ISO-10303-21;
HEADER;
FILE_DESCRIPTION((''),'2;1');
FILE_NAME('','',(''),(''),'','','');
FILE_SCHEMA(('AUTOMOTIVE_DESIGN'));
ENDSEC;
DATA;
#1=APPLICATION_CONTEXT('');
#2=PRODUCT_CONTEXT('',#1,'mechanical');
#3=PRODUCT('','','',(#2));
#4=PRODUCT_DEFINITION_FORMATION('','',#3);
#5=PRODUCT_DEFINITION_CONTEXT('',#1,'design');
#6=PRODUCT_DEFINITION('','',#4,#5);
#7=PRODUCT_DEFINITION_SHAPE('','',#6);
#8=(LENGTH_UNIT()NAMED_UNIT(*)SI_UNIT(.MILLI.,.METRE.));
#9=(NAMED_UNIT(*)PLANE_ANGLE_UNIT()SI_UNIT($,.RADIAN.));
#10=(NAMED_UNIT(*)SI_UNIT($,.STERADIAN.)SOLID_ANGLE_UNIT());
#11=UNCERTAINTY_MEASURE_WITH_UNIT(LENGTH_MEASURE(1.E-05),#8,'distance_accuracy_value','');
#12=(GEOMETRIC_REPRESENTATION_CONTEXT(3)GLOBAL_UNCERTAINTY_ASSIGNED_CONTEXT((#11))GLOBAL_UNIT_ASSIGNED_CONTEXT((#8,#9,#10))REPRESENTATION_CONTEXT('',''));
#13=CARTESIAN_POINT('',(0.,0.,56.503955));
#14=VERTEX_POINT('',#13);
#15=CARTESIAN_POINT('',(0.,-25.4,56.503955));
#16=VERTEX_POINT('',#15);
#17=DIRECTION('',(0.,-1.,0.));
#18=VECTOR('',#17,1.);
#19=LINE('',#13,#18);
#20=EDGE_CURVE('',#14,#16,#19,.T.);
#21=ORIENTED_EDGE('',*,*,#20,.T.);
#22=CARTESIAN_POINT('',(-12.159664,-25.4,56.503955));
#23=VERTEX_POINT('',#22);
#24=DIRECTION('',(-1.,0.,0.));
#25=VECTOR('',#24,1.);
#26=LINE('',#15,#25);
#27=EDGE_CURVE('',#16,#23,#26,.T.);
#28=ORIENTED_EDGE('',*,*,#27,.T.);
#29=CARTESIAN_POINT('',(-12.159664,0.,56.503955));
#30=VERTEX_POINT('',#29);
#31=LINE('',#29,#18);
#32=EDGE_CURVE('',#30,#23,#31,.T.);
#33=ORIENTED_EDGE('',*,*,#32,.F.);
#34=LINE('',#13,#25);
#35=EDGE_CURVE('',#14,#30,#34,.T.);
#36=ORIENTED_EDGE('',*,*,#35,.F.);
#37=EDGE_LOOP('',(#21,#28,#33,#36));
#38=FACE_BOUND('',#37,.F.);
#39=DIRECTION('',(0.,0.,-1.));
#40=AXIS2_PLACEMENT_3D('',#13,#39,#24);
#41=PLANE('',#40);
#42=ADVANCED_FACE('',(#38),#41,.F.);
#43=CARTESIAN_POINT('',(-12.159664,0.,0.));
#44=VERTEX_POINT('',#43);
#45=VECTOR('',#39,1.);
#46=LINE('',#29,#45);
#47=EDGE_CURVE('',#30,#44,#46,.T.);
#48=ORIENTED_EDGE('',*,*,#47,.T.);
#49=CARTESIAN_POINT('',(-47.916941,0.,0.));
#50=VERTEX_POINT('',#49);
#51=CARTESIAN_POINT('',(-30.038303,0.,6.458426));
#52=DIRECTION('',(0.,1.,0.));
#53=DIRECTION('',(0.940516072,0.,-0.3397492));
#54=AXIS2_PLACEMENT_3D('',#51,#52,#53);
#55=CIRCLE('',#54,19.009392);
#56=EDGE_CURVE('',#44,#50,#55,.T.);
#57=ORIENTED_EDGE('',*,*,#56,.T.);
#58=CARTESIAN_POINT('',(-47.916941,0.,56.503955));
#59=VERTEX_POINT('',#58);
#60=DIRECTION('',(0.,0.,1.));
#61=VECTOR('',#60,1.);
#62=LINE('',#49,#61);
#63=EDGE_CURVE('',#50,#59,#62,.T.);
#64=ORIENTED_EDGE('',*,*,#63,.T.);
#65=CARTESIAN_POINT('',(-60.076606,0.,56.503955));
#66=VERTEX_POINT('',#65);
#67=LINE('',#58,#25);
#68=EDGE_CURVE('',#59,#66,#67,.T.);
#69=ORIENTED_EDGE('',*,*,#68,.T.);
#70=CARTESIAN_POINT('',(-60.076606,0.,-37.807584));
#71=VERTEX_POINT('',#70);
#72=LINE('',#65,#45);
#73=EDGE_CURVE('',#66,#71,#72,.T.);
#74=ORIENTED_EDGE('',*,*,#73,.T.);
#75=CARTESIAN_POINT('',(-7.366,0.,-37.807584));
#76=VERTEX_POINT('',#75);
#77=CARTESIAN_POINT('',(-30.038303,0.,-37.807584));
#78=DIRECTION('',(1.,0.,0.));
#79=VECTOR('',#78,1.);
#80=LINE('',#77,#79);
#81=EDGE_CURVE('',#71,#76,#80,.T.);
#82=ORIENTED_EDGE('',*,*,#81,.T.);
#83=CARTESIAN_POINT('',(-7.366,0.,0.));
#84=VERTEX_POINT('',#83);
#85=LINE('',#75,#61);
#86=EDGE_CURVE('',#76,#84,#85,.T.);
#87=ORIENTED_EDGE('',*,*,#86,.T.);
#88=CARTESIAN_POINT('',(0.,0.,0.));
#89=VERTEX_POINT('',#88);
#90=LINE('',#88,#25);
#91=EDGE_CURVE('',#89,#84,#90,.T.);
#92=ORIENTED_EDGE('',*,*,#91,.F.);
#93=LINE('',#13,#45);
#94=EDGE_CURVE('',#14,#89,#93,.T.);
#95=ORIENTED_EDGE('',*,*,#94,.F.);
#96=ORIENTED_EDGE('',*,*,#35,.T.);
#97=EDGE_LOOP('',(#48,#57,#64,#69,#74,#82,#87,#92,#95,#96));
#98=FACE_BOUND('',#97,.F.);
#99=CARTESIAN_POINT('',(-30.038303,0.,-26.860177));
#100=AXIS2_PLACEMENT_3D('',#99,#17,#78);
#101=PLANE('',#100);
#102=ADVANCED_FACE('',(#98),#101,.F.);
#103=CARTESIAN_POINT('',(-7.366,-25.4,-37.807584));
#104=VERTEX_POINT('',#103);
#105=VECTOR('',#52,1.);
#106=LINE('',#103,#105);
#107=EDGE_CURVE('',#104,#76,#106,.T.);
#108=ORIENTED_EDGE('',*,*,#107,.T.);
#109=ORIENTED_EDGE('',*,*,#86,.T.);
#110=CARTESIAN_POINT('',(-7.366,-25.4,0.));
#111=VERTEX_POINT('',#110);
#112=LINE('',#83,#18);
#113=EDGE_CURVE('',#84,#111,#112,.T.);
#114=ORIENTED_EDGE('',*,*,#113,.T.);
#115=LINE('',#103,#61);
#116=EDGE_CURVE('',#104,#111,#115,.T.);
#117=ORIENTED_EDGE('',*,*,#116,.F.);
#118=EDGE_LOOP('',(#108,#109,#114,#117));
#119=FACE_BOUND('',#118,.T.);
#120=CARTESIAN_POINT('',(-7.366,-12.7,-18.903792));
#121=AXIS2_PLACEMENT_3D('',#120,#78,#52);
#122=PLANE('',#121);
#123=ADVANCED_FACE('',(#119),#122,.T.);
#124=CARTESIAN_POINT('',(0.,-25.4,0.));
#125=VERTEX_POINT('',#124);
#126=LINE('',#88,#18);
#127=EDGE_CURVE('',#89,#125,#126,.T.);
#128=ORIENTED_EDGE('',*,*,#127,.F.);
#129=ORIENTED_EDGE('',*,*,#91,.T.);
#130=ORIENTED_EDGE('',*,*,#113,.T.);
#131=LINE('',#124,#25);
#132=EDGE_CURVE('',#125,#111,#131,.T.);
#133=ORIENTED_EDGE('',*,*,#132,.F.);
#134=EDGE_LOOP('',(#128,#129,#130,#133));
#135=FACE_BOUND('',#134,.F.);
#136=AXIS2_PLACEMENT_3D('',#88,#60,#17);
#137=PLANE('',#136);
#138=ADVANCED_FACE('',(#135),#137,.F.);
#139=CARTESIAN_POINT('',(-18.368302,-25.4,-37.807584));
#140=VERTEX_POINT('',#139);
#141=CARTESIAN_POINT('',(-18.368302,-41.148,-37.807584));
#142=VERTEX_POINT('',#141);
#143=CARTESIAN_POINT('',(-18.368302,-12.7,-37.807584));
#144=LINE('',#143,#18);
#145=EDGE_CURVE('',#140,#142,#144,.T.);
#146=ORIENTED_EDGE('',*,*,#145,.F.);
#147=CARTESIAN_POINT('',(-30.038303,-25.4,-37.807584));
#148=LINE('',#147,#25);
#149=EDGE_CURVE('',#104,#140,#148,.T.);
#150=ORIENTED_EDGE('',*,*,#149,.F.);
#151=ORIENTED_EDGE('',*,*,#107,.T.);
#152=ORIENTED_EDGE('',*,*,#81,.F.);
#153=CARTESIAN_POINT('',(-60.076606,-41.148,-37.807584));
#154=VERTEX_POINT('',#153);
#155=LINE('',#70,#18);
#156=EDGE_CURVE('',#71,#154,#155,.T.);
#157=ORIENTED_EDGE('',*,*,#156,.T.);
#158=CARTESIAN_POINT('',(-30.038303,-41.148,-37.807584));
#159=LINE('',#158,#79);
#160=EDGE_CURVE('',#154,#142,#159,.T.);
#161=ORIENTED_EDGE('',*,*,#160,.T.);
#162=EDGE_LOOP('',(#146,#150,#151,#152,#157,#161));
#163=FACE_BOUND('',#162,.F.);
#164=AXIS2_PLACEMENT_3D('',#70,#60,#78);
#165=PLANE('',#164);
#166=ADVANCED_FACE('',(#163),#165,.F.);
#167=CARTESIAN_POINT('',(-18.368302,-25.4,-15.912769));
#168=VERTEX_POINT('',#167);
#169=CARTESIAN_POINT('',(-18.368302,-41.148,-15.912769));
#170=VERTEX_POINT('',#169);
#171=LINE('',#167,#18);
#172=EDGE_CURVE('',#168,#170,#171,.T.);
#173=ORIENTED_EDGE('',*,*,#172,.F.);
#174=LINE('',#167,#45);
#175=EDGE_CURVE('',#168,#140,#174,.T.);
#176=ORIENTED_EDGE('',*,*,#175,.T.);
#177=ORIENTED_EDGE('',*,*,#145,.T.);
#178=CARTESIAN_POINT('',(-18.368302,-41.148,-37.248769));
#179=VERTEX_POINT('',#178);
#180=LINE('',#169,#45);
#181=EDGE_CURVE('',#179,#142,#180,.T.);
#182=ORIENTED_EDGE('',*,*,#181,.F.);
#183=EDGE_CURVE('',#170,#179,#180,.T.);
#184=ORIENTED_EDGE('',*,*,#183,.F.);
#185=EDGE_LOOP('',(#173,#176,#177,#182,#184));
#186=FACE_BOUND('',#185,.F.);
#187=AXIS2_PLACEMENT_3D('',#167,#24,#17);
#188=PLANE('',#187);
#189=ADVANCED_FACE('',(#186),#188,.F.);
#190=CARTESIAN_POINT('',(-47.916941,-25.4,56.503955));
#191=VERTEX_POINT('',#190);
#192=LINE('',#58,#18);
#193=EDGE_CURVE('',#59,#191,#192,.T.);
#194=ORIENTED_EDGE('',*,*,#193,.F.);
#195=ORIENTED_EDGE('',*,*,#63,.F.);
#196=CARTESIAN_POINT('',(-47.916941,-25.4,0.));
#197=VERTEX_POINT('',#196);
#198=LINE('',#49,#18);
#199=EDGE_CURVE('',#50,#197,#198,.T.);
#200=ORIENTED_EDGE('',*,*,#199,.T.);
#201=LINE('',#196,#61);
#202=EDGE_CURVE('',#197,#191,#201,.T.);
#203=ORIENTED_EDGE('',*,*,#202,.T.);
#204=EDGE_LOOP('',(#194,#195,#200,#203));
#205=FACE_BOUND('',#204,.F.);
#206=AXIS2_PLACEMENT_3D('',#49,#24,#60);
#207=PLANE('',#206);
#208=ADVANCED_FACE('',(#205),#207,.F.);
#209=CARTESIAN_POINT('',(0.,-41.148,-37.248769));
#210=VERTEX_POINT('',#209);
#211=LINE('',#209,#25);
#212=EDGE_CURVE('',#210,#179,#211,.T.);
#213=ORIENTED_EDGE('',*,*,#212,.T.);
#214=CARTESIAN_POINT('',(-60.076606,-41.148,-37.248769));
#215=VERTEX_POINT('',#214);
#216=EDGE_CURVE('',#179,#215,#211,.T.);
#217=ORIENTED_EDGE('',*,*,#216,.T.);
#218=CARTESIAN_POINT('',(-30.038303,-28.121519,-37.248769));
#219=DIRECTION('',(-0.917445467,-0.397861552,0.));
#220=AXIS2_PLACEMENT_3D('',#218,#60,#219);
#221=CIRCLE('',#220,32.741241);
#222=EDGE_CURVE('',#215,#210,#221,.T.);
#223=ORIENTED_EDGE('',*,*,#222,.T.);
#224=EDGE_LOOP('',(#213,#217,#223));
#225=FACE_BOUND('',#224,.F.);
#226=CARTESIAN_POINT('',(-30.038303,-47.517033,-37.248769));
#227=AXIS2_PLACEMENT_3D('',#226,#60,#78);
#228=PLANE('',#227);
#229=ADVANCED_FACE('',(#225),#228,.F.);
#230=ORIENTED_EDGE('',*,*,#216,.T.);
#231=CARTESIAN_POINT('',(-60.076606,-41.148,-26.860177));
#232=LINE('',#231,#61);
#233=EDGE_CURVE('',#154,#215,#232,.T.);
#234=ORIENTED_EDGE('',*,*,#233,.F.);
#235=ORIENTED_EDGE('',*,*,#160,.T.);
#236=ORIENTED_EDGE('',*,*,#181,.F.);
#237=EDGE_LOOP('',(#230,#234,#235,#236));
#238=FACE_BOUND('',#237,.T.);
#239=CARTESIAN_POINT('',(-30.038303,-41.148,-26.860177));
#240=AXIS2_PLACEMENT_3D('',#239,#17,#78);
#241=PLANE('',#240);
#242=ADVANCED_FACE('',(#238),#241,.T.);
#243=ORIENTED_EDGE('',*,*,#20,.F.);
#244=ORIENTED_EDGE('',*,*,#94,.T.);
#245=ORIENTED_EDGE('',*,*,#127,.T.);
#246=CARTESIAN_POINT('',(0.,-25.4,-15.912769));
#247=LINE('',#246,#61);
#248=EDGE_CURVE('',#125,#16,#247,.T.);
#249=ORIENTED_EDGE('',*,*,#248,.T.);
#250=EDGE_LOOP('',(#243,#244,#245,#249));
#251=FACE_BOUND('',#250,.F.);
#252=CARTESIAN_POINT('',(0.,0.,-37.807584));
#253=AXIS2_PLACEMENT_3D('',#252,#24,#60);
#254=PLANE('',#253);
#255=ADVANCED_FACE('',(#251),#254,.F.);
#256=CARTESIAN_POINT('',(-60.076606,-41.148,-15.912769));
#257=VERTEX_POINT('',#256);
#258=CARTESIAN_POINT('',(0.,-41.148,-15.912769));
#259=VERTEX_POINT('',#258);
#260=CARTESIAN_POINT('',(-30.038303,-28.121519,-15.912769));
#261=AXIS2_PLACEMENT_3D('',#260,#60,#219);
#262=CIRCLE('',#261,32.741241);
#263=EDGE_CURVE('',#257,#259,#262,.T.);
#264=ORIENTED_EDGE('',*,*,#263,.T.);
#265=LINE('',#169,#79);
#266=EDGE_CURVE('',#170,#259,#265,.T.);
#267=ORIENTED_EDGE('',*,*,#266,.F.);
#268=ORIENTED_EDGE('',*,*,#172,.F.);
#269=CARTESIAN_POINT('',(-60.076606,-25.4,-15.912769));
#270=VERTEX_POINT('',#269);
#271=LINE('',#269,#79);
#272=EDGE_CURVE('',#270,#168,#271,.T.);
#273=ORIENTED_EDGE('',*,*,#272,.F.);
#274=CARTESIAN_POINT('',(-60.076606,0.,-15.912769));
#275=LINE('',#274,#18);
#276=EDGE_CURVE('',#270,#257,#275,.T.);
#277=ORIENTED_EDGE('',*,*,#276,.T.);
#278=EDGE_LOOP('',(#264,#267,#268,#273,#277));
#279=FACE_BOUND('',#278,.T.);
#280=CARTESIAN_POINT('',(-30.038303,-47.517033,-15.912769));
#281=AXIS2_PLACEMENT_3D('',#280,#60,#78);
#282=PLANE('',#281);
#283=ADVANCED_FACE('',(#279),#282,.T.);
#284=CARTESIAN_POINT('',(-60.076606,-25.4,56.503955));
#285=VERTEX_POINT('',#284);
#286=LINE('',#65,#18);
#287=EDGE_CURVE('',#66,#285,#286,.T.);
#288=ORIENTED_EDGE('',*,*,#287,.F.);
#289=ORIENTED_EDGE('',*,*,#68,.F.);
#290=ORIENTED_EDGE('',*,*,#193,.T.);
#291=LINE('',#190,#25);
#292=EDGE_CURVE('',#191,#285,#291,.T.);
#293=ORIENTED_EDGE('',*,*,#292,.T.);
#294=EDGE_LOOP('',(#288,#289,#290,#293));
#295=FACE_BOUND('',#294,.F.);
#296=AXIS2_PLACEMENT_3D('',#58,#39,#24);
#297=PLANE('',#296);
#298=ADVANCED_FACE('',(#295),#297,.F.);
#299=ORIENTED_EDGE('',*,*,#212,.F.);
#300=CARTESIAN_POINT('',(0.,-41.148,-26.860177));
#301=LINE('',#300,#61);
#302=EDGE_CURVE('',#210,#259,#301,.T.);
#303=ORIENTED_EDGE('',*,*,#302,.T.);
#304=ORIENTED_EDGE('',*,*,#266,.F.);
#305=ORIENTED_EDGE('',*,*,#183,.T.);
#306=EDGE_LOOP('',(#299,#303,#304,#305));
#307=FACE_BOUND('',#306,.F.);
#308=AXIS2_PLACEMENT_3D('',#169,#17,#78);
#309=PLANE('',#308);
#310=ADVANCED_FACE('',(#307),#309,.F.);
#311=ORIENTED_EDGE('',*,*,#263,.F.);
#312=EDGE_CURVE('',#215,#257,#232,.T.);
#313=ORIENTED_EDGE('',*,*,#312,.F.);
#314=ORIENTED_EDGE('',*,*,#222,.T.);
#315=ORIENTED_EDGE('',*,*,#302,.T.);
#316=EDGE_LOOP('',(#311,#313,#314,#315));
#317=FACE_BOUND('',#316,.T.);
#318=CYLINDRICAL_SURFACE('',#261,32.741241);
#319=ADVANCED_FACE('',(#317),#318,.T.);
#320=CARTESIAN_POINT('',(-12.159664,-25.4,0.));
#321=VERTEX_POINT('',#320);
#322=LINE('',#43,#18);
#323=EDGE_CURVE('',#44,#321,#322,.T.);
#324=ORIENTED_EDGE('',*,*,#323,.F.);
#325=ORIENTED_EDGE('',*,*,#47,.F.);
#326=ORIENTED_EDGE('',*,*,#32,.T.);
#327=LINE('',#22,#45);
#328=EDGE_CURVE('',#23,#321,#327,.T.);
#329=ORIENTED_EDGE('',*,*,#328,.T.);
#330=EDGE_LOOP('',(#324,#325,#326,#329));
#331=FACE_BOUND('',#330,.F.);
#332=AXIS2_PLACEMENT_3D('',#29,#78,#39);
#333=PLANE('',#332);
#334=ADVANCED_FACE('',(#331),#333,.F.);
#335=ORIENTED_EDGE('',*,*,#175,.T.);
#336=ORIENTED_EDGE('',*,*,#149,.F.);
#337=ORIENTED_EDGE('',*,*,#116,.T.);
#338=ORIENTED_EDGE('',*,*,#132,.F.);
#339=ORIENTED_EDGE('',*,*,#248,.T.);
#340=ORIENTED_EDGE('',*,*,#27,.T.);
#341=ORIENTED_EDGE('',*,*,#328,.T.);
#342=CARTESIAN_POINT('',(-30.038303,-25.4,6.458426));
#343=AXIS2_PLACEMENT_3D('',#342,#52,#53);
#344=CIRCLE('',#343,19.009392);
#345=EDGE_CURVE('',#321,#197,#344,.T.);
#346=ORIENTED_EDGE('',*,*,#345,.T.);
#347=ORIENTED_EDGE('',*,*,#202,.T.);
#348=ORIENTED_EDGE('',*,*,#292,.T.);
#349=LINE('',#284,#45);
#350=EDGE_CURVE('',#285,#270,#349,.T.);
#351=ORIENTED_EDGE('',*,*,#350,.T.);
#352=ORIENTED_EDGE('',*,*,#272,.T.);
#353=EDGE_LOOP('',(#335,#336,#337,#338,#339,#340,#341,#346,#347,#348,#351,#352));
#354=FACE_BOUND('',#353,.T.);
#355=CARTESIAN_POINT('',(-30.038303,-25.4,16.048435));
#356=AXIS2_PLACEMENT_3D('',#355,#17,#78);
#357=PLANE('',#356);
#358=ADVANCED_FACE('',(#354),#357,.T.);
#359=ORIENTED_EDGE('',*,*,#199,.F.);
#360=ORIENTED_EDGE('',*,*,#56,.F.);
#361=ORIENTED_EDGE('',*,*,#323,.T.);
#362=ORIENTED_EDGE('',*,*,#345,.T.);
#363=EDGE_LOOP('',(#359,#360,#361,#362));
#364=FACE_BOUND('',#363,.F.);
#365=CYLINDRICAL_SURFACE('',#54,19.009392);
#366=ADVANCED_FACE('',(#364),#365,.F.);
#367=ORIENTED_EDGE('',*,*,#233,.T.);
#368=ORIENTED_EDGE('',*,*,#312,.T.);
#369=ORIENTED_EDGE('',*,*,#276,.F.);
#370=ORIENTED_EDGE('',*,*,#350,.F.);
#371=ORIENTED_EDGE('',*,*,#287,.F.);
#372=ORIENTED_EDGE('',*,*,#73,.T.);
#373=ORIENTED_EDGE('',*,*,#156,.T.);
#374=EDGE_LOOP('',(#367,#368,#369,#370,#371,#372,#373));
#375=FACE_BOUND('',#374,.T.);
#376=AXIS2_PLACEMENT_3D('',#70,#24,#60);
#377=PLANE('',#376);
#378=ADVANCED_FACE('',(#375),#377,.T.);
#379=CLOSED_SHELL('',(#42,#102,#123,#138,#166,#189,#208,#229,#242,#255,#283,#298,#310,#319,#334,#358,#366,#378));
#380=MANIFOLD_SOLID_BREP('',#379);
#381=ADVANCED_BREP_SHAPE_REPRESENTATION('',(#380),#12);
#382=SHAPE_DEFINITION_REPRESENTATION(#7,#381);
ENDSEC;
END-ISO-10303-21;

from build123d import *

# Parameters (mm, degrees)
F1_DEPTH = 25.4
F0_W     = 60.0766055286
F0_H     = 21.8948144466
F2_DEPTH = 41.148
F4_DEPTH = 21.336
F6_DEPTH = 7.366
F8_DEPTH = 21.8958144466


with BuildPart() as f1:
    # F0 (on Front) → F1 (new body)
    with BuildSketch(Plane.XZ):
        with BuildLine():
            Line((-47.9169413447, 56.5039552748), (-60.0766055286, 56.5039552748))
            Line((-60.0766055286, 56.5039552748), (-60.0766055286, -15.9127693623))
            Line((-60.0766055286, -15.9127693623), (0, -15.9127693623))
            Line((0, -15.9127693623), (0, 56.5039552748))
            Line((0, 56.5039552748), (-12.1596641839, 56.5039552748))
            Line((-12.1596641839, 56.5039552748), (-12.1596641839, 0))
            ThreePointArc((-12.1596641839, 0), (-30.0383027643, -12.5509662024), (-47.9169413447, 0))
            Line((-47.9169413447, 0), (-47.9169413447, 56.5039552748))
        make_face()
    extrude(amount=F1_DEPTH)

    # F0 (on Front) → F2 (join)
    with BuildSketch(Plane.XZ):
        with Locations((-30.0383027643, -26.8601765856)):
            Rectangle(F0_W, F0_H)
    extrude(amount=F2_DEPTH)

    # F3 (on face) → F4 (join)
    with BuildSketch(Plane.XY.offset(-15.9127693623)):
        with BuildLine():
            Line((0, -41.148), (-60.0766055286, -41.148))
            ThreePointArc((-60.0766055286, -41.148), (-30.0383027643, -60.8627597927), (0, -41.148))
        make_face()
    extrude(amount=-F4_DEPTH)

    # F5 (on face) → F6 (cut)
    with BuildSketch(Plane.YZ):
        Polygon((0, 0), (-25.4, 0), (-25.4, -15.9127693623), (-25.4, -37.8075838089), (0, -37.8075838089), align=None)
    extrude(amount=-F6_DEPTH, mode=Mode.SUBTRACT)

    # F7 (on face) → F8 (cut, through all)
    with BuildSketch(Plane.XY.offset(-15.9127693623)):
        Polygon((-7.366, -25.4), (-18.3683019131, -25.4), (-18.3683019131, -41.148), (0, -41.148), (0, -25.4), align=None)
    extrude(amount=-F8_DEPTH, mode=Mode.SUBTRACT)


solid = f1.part
